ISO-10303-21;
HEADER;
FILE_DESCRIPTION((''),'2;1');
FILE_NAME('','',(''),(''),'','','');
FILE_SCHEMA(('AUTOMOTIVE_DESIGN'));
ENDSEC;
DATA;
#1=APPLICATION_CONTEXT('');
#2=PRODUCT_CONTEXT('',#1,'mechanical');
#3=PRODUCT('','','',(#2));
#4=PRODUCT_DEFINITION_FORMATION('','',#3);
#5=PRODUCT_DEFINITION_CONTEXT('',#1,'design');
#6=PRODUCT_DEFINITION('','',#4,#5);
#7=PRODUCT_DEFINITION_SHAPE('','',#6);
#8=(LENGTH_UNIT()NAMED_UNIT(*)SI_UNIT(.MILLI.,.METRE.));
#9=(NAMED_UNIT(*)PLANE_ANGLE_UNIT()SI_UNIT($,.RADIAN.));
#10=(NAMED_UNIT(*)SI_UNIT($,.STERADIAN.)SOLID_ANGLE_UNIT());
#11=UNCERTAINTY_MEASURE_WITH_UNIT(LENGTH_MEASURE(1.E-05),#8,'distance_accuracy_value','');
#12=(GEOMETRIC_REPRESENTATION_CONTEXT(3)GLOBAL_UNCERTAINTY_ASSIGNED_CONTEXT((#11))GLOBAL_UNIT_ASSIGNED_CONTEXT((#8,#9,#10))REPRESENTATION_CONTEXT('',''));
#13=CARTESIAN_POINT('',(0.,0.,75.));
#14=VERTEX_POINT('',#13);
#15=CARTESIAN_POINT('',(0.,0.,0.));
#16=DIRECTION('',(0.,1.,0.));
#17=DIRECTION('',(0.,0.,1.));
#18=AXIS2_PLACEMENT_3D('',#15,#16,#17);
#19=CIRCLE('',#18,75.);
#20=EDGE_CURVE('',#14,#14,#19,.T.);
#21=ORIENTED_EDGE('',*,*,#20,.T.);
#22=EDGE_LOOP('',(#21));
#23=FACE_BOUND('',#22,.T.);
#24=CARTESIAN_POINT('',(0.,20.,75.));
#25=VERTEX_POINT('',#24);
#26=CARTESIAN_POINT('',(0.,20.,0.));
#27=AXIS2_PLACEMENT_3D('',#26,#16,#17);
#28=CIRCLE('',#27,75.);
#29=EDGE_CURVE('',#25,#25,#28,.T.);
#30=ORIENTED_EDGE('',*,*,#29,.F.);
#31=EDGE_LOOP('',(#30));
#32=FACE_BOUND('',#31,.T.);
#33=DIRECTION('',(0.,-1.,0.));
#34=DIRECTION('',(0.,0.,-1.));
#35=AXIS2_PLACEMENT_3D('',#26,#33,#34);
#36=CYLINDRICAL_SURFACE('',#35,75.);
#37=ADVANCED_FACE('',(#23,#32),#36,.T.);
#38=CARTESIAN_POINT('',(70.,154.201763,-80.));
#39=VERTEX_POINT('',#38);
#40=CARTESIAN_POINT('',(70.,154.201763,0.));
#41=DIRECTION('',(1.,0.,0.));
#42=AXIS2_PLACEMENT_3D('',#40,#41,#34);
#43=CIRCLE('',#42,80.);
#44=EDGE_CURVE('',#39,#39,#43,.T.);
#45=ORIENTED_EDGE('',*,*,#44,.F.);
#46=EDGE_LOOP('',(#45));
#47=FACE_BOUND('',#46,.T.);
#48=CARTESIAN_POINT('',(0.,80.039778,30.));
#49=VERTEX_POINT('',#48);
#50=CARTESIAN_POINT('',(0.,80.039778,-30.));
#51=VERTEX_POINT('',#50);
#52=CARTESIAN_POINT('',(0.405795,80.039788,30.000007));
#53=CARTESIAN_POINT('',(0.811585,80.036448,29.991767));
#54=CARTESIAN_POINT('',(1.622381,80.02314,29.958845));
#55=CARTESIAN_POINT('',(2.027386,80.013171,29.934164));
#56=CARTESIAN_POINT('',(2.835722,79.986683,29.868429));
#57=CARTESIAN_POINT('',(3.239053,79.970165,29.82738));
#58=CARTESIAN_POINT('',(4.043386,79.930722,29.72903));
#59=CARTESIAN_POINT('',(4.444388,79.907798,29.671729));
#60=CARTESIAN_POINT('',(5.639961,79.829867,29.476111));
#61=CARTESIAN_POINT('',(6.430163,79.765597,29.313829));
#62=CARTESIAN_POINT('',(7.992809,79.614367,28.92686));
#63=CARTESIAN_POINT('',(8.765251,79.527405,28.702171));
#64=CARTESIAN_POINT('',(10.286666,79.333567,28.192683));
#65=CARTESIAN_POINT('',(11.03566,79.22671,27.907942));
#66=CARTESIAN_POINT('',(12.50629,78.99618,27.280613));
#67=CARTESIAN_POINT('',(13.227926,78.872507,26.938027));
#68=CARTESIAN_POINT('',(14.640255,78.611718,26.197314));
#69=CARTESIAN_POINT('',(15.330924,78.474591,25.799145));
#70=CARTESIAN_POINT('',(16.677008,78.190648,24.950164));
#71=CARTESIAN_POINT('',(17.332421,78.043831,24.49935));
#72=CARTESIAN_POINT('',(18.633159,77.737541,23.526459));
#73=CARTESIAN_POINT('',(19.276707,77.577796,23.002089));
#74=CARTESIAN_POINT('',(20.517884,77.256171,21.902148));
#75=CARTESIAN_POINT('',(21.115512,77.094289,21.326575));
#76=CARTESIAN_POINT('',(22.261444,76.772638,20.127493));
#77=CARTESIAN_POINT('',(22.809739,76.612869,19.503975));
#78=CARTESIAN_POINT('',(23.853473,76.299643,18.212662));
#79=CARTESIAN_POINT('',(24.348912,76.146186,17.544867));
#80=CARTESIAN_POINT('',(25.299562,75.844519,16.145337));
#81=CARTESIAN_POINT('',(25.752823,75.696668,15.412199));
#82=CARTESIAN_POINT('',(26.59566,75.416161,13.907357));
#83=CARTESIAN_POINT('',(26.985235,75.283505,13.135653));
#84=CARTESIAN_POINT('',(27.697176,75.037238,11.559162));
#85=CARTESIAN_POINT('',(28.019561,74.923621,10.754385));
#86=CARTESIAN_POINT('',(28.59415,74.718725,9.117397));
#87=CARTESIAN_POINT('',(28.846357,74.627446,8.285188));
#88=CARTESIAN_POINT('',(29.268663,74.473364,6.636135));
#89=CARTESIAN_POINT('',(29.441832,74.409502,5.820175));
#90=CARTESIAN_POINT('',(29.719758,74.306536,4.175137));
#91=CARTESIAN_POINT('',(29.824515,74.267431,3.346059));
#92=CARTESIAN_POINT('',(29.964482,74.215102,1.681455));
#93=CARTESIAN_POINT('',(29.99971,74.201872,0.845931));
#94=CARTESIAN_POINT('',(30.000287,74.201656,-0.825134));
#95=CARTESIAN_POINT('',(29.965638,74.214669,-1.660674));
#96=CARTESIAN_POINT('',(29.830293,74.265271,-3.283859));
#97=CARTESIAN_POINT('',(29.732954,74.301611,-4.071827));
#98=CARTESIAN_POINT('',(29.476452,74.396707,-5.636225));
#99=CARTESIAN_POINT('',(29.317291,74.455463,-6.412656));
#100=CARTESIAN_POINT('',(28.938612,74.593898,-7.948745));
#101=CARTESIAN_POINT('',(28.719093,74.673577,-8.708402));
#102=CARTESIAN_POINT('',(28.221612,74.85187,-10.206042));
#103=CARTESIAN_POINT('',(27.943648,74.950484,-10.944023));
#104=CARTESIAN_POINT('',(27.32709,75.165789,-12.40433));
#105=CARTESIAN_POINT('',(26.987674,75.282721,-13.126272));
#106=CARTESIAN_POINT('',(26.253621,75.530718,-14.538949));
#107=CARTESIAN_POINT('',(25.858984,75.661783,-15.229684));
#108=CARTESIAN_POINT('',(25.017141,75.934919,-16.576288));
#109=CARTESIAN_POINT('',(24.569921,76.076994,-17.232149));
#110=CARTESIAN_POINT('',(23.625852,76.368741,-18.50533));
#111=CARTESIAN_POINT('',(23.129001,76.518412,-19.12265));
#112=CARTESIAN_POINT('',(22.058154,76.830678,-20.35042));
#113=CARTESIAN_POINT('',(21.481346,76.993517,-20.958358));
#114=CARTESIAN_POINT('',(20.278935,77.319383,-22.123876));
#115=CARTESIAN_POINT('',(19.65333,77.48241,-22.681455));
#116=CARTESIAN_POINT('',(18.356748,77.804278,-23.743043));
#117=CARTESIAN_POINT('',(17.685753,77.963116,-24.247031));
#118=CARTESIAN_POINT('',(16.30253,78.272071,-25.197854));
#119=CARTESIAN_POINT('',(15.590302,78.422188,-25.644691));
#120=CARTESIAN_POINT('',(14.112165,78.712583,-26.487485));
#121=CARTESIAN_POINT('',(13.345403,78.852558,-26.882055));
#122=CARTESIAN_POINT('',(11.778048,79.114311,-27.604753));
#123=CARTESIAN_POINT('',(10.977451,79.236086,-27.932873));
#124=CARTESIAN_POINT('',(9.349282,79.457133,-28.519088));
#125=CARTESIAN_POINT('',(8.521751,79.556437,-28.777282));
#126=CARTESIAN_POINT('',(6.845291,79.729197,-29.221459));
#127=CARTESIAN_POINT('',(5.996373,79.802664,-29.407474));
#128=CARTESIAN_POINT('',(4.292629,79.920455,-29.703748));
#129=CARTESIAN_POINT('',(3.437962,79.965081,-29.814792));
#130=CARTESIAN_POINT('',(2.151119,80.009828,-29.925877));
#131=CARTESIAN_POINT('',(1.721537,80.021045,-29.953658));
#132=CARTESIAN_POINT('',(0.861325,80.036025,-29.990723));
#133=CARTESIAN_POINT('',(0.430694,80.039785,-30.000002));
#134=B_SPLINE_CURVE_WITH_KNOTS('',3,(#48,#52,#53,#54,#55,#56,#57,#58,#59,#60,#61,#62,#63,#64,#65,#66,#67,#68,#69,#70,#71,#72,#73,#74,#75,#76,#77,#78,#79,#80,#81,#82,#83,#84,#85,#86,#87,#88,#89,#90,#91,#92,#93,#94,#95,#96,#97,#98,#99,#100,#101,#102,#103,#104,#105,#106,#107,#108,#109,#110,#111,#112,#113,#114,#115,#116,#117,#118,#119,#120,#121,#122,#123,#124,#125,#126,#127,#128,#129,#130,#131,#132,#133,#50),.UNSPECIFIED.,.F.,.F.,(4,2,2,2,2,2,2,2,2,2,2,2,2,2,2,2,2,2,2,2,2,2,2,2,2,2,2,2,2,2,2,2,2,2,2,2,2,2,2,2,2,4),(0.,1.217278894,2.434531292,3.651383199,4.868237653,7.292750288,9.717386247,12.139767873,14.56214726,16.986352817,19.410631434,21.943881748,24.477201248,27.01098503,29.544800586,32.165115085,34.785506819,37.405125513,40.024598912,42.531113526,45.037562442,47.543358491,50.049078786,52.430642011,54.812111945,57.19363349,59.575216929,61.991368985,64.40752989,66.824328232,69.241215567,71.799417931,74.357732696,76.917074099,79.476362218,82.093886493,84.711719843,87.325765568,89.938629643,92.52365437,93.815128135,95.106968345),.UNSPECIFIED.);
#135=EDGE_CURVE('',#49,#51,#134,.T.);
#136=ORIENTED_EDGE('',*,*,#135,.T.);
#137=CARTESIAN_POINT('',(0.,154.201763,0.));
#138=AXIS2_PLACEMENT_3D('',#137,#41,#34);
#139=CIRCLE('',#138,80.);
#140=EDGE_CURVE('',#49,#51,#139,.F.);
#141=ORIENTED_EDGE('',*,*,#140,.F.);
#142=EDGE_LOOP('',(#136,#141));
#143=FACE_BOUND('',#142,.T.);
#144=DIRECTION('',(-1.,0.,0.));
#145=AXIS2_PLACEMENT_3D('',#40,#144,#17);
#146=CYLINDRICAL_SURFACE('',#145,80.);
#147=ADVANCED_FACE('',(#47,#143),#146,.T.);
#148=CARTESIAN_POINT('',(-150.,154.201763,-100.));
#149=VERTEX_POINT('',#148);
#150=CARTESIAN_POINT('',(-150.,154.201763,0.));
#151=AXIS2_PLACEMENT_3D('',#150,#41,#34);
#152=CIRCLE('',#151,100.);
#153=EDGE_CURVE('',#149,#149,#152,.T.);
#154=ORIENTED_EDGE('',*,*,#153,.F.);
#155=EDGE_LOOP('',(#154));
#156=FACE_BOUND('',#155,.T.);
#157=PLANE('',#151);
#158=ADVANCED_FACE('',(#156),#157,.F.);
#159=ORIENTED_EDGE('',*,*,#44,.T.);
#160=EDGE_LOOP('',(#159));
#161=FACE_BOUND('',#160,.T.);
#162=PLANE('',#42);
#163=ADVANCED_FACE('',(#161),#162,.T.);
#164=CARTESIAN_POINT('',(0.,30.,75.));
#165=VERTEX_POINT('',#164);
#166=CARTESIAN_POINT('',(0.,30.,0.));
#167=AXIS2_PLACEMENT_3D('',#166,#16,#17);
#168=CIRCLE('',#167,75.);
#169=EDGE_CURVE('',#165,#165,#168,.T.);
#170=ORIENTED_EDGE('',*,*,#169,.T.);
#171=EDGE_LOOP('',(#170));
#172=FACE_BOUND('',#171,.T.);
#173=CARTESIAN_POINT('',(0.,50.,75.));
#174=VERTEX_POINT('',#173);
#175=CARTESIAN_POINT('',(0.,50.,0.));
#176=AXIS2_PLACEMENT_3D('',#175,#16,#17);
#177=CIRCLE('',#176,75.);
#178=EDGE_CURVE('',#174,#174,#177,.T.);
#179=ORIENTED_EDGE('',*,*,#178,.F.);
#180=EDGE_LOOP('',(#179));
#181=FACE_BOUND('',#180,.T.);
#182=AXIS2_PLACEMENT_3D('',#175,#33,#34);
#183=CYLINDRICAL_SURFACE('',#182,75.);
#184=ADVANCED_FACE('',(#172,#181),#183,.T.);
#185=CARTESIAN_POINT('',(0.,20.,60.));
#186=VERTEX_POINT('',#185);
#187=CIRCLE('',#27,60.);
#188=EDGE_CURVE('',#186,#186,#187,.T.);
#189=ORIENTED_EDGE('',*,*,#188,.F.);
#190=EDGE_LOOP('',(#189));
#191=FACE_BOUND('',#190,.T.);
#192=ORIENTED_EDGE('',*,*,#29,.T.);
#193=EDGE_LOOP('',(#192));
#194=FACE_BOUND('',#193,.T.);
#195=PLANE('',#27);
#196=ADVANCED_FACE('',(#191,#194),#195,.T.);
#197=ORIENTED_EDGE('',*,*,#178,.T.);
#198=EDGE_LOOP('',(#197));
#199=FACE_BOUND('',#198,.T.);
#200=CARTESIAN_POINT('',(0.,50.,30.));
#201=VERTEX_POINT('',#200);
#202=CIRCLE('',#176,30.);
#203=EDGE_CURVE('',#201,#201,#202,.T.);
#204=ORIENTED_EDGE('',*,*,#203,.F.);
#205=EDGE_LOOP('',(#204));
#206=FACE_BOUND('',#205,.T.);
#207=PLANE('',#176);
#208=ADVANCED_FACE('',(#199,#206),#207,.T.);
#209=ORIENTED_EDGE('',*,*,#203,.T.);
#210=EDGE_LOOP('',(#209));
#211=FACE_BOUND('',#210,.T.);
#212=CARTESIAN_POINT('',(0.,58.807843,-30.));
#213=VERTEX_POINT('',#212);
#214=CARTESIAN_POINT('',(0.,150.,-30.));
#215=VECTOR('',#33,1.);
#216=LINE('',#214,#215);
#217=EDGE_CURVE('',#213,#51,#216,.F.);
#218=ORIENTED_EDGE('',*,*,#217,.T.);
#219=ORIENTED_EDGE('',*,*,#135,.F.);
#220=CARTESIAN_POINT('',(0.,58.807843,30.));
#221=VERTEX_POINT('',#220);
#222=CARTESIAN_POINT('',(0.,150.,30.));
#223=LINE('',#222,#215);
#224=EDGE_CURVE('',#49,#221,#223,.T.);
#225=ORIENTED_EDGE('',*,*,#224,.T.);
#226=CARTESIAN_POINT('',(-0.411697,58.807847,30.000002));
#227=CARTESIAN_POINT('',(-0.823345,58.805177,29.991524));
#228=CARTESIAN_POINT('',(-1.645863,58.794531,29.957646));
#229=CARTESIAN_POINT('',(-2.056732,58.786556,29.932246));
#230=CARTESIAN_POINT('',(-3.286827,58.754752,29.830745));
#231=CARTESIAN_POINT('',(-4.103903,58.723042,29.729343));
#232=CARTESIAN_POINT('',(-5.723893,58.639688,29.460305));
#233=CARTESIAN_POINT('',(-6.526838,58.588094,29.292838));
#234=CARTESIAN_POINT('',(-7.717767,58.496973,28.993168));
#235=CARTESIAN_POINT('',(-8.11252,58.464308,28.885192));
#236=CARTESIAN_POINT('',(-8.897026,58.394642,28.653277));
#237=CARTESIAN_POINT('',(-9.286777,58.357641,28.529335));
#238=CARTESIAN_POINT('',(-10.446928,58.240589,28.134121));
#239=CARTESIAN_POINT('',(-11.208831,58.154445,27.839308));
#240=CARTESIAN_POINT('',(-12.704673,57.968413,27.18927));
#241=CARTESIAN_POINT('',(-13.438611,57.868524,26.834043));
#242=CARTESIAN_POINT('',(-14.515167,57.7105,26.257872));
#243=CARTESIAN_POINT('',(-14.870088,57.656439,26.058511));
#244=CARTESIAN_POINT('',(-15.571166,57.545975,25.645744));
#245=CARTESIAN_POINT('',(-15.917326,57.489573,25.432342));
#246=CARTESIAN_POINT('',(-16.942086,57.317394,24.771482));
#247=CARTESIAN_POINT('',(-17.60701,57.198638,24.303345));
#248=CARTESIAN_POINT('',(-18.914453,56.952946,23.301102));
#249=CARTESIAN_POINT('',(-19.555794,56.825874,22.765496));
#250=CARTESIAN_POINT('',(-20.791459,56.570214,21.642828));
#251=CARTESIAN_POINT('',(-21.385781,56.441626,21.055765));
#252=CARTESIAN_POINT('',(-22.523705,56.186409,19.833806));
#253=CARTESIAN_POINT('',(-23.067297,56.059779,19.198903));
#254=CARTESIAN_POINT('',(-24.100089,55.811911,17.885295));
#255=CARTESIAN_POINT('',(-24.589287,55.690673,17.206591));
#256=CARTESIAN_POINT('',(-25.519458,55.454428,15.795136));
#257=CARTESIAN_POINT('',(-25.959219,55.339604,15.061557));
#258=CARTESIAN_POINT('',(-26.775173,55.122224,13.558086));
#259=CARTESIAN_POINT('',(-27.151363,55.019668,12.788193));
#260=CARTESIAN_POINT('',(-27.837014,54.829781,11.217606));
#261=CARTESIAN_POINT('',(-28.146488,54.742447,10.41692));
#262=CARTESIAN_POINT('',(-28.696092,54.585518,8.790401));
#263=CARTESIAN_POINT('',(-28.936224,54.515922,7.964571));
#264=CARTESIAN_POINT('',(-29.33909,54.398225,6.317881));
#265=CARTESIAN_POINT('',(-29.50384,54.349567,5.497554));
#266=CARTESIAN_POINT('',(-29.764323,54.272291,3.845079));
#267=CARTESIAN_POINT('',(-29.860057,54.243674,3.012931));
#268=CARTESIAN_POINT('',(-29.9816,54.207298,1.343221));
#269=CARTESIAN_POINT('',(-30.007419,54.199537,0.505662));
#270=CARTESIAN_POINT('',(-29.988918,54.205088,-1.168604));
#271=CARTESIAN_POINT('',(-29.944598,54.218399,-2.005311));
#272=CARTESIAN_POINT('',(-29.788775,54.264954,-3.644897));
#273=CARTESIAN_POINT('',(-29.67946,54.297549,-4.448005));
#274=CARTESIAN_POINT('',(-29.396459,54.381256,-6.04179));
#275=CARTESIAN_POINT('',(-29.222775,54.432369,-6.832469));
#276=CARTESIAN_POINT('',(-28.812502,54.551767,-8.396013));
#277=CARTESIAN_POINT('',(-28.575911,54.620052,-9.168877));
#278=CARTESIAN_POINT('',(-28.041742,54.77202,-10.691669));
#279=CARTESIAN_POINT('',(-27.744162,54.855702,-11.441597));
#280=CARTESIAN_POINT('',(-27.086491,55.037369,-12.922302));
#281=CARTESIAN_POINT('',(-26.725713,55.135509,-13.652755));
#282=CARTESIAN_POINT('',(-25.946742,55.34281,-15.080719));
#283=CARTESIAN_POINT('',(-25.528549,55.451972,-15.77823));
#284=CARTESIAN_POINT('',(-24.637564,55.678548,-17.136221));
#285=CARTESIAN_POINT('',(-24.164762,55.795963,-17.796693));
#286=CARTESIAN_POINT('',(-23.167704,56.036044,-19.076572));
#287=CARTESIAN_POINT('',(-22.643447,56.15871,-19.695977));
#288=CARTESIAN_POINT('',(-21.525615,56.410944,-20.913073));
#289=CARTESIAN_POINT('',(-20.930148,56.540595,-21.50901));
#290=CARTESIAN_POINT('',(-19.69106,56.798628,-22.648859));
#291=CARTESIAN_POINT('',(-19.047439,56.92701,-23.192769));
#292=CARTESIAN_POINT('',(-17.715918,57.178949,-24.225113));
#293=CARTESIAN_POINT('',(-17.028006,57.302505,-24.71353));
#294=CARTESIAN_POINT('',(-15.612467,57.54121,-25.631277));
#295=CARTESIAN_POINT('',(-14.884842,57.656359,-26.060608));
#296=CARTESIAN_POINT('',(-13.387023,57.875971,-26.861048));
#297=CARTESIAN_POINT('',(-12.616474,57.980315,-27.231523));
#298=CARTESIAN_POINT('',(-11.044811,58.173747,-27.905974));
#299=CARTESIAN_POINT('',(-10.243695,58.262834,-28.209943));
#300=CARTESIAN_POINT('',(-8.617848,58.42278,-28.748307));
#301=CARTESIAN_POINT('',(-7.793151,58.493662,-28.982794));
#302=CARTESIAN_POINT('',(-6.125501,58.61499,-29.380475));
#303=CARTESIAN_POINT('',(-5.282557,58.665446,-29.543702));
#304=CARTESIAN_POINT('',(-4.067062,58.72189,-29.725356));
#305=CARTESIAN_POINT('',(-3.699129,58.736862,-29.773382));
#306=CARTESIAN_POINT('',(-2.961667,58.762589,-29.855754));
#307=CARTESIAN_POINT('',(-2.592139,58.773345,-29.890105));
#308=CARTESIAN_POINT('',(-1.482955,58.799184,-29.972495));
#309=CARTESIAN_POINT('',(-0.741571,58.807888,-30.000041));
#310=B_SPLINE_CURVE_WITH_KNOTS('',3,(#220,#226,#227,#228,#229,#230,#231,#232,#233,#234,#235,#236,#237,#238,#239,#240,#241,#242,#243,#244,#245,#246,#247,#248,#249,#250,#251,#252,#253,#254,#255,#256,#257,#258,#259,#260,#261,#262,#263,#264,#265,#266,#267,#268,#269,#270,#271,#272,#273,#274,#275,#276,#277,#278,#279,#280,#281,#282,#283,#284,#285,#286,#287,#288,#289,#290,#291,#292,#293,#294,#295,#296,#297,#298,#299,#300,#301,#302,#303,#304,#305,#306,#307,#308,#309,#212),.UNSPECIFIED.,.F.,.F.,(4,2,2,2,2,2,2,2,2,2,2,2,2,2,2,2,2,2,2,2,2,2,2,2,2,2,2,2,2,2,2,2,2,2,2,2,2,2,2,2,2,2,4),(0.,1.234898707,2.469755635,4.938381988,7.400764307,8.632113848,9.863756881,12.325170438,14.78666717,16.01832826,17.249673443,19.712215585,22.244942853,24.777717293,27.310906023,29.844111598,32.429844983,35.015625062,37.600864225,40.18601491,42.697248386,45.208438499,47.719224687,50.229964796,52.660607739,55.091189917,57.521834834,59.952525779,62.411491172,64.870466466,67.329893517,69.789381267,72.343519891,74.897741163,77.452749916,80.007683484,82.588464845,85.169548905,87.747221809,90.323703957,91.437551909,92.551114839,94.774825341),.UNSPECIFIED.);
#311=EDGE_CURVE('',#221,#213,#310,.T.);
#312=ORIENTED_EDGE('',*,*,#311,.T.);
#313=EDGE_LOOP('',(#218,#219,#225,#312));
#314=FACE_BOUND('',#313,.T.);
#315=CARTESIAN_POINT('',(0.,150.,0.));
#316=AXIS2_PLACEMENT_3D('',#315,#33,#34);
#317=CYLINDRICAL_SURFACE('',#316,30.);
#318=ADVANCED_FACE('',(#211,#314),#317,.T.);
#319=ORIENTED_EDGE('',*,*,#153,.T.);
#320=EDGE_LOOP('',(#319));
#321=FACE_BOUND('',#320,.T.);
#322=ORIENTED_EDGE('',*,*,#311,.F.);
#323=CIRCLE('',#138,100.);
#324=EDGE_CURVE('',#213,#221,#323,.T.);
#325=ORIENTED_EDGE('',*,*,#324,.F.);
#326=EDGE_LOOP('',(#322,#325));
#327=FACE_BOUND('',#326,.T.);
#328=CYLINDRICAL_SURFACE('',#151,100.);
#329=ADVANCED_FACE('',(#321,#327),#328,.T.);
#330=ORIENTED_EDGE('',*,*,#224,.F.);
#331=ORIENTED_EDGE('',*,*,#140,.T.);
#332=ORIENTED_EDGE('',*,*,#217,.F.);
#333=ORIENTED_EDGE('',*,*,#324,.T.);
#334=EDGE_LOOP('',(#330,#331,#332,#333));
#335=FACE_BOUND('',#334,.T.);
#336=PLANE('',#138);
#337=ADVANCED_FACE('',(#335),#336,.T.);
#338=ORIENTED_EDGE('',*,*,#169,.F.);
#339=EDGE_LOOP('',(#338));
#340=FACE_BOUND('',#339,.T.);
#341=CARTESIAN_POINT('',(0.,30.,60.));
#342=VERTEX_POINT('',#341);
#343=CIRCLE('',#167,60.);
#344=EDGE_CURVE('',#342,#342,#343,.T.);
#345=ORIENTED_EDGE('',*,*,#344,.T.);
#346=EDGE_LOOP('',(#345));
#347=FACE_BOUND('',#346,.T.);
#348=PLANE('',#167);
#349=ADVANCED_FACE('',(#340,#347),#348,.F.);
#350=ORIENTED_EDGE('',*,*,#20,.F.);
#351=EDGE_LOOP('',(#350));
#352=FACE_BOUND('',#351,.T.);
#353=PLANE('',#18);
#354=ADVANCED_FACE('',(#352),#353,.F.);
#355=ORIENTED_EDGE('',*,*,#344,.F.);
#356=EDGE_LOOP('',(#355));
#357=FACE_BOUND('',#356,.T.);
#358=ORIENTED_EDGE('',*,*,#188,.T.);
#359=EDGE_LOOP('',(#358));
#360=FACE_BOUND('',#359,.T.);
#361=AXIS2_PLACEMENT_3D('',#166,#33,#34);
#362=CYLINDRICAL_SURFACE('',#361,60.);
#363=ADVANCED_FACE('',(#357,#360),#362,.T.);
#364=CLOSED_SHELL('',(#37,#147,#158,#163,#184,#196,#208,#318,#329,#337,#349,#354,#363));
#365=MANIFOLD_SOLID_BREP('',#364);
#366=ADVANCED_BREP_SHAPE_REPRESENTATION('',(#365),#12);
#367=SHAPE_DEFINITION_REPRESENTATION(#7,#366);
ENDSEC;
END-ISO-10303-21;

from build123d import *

# Parameters (mm, degrees)
SKETCH1_R           = 75
BOSS_EXTRUDE1_DEPTH = 20
SKETCH2_R           = 60
BOSS_EXTRUDE2_DEPTH = 10
SKETCH3_R           = 75
BOSS_EXTRUDE3_DEPTH = 20
SKETCH4_R           = 30
BOSS_EXTRUDE4_DEPTH = 100
SKETCH5_R           = 100
BOSS_EXTRUDE5_DEPTH = 150
SKETCH6_R           = 80
BOSS_EXTRUDE6_DEPTH = 70


with BuildPart() as part:
    # Sketch1 → Boss-Extrude1 (new body)
    with BuildSketch(Plane(origin=(0, 0, 0), x_dir=(1, 0, 0), z_dir=(0, 1, 0))):
        with Locations(Location((0, 0, 0), (0, 0, 270))):
            Circle(SKETCH1_R)
    extrude(amount=BOSS_EXTRUDE1_DEPTH)

    # Sketch2 → Boss-Extrude2 (add)
    with BuildSketch(Plane(origin=(0, 20, 0), x_dir=(1, 0, 0), z_dir=(0, 1, 0))):
        with Locations(Location((0, 0, 0), (0, 0, 270))):
            Circle(SKETCH2_R)
    extrude(amount=BOSS_EXTRUDE2_DEPTH)

    # Sketch3 → Boss-Extrude3 (add)
    with BuildSketch(Plane(origin=(0, 30, 0), x_dir=(1, 0, 0), z_dir=(0, 1, 0))):
        with Locations(Location((0, 0, 0), (0, 0, 270))):
            Circle(SKETCH3_R)
    extrude(amount=BOSS_EXTRUDE3_DEPTH)

    # Sketch4 → Boss-Extrude4 (add)
    with BuildSketch(Plane(origin=(0, 50, 0), x_dir=(1, 0, 0), z_dir=(0, 1, 0))):
        with Locations(Location((0, 0, 0), (0, 0, 270))):
            Circle(SKETCH4_R)
    extrude(amount=BOSS_EXTRUDE4_DEPTH)

    # Sketch5 → Boss-Extrude5 (add)
    with BuildSketch(Plane(origin=(0, 0, 0), x_dir=(0, 0, -1), z_dir=(1, 0, 0))):
        with Locations((0, 154.201763101)):
            Circle(SKETCH5_R)
    extrude(amount=-BOSS_EXTRUDE5_DEPTH)

    # Sketch6 → Boss-Extrude6 (add)
    with BuildSketch(Plane(origin=(0, 0, 0), x_dir=(0, 0, -1), z_dir=(1, 0, 0))):
        with Locations(Location((0, 154.201763101, 0), (0, 0, 247.975687163))):
            Circle(SKETCH6_R)
    extrude(amount=BOSS_EXTRUDE6_DEPTH)


solid = part.part
